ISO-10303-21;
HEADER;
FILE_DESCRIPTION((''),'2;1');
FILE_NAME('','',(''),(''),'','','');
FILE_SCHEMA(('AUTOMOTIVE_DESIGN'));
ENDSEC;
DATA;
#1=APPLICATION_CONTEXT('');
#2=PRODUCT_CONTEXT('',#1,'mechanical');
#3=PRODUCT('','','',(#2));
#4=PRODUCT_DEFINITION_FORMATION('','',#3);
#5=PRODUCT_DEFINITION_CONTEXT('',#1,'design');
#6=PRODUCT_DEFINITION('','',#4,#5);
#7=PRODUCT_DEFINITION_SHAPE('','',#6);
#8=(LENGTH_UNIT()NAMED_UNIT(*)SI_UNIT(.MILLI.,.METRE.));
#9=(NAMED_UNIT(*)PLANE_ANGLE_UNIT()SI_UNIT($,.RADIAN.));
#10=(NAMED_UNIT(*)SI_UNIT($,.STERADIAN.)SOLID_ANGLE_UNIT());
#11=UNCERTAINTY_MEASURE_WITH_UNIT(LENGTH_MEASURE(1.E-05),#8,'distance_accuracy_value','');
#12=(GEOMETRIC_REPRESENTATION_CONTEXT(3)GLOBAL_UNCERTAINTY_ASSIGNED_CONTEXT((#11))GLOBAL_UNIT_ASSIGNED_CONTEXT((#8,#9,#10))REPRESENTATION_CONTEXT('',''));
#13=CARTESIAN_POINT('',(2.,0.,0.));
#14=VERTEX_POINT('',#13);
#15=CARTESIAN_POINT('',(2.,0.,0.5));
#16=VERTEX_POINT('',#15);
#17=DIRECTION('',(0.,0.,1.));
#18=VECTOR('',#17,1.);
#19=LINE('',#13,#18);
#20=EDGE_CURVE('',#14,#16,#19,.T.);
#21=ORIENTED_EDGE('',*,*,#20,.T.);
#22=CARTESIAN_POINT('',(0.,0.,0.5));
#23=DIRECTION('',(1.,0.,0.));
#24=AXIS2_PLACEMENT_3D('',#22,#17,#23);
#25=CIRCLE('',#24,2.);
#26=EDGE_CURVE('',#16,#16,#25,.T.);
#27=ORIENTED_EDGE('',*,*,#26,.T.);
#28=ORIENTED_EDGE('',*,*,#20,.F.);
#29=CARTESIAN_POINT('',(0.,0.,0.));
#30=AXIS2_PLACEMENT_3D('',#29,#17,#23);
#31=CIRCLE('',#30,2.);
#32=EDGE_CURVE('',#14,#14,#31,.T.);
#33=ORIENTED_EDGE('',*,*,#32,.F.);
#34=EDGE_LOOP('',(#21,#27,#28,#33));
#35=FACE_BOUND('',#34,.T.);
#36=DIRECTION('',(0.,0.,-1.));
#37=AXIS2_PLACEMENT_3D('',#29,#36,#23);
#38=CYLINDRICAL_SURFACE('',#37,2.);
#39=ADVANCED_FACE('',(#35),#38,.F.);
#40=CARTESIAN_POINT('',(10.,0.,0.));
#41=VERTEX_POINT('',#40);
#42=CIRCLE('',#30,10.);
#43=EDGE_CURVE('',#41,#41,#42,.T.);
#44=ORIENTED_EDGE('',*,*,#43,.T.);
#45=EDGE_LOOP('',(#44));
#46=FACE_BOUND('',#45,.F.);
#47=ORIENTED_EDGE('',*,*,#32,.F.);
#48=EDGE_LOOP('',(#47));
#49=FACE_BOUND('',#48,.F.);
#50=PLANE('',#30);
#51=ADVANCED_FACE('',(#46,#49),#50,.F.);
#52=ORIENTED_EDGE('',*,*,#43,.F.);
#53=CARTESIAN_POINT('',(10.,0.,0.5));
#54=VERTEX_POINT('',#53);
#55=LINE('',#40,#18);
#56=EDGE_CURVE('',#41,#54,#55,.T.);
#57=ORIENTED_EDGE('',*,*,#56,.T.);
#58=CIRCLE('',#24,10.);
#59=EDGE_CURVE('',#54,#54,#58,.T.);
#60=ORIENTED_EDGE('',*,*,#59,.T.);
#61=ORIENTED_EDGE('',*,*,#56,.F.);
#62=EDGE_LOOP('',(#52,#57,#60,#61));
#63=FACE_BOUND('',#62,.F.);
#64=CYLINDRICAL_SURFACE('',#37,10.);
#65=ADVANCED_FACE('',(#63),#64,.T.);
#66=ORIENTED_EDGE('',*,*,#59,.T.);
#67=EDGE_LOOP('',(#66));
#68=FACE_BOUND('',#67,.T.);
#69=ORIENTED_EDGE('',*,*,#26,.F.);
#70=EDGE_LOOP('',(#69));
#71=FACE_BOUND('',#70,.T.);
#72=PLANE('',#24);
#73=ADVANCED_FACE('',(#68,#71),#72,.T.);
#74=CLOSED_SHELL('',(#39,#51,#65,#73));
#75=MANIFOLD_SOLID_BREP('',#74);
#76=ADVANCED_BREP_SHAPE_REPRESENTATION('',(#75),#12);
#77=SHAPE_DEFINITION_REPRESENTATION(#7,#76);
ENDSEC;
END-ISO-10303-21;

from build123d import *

# Parameters (mm, degrees)
SKETCH_R   = 10
SKETCH_R_2 = 2
PAD_DEPTH  = 0.5


with BuildPart() as part:
    # Sketch → Pad (new body)
    with BuildSketch(Plane.XY):
        Circle(SKETCH_R)
        Circle(SKETCH_R_2, mode=Mode.SUBTRACT)
    extrude(amount=PAD_DEPTH)


solid = part.part
